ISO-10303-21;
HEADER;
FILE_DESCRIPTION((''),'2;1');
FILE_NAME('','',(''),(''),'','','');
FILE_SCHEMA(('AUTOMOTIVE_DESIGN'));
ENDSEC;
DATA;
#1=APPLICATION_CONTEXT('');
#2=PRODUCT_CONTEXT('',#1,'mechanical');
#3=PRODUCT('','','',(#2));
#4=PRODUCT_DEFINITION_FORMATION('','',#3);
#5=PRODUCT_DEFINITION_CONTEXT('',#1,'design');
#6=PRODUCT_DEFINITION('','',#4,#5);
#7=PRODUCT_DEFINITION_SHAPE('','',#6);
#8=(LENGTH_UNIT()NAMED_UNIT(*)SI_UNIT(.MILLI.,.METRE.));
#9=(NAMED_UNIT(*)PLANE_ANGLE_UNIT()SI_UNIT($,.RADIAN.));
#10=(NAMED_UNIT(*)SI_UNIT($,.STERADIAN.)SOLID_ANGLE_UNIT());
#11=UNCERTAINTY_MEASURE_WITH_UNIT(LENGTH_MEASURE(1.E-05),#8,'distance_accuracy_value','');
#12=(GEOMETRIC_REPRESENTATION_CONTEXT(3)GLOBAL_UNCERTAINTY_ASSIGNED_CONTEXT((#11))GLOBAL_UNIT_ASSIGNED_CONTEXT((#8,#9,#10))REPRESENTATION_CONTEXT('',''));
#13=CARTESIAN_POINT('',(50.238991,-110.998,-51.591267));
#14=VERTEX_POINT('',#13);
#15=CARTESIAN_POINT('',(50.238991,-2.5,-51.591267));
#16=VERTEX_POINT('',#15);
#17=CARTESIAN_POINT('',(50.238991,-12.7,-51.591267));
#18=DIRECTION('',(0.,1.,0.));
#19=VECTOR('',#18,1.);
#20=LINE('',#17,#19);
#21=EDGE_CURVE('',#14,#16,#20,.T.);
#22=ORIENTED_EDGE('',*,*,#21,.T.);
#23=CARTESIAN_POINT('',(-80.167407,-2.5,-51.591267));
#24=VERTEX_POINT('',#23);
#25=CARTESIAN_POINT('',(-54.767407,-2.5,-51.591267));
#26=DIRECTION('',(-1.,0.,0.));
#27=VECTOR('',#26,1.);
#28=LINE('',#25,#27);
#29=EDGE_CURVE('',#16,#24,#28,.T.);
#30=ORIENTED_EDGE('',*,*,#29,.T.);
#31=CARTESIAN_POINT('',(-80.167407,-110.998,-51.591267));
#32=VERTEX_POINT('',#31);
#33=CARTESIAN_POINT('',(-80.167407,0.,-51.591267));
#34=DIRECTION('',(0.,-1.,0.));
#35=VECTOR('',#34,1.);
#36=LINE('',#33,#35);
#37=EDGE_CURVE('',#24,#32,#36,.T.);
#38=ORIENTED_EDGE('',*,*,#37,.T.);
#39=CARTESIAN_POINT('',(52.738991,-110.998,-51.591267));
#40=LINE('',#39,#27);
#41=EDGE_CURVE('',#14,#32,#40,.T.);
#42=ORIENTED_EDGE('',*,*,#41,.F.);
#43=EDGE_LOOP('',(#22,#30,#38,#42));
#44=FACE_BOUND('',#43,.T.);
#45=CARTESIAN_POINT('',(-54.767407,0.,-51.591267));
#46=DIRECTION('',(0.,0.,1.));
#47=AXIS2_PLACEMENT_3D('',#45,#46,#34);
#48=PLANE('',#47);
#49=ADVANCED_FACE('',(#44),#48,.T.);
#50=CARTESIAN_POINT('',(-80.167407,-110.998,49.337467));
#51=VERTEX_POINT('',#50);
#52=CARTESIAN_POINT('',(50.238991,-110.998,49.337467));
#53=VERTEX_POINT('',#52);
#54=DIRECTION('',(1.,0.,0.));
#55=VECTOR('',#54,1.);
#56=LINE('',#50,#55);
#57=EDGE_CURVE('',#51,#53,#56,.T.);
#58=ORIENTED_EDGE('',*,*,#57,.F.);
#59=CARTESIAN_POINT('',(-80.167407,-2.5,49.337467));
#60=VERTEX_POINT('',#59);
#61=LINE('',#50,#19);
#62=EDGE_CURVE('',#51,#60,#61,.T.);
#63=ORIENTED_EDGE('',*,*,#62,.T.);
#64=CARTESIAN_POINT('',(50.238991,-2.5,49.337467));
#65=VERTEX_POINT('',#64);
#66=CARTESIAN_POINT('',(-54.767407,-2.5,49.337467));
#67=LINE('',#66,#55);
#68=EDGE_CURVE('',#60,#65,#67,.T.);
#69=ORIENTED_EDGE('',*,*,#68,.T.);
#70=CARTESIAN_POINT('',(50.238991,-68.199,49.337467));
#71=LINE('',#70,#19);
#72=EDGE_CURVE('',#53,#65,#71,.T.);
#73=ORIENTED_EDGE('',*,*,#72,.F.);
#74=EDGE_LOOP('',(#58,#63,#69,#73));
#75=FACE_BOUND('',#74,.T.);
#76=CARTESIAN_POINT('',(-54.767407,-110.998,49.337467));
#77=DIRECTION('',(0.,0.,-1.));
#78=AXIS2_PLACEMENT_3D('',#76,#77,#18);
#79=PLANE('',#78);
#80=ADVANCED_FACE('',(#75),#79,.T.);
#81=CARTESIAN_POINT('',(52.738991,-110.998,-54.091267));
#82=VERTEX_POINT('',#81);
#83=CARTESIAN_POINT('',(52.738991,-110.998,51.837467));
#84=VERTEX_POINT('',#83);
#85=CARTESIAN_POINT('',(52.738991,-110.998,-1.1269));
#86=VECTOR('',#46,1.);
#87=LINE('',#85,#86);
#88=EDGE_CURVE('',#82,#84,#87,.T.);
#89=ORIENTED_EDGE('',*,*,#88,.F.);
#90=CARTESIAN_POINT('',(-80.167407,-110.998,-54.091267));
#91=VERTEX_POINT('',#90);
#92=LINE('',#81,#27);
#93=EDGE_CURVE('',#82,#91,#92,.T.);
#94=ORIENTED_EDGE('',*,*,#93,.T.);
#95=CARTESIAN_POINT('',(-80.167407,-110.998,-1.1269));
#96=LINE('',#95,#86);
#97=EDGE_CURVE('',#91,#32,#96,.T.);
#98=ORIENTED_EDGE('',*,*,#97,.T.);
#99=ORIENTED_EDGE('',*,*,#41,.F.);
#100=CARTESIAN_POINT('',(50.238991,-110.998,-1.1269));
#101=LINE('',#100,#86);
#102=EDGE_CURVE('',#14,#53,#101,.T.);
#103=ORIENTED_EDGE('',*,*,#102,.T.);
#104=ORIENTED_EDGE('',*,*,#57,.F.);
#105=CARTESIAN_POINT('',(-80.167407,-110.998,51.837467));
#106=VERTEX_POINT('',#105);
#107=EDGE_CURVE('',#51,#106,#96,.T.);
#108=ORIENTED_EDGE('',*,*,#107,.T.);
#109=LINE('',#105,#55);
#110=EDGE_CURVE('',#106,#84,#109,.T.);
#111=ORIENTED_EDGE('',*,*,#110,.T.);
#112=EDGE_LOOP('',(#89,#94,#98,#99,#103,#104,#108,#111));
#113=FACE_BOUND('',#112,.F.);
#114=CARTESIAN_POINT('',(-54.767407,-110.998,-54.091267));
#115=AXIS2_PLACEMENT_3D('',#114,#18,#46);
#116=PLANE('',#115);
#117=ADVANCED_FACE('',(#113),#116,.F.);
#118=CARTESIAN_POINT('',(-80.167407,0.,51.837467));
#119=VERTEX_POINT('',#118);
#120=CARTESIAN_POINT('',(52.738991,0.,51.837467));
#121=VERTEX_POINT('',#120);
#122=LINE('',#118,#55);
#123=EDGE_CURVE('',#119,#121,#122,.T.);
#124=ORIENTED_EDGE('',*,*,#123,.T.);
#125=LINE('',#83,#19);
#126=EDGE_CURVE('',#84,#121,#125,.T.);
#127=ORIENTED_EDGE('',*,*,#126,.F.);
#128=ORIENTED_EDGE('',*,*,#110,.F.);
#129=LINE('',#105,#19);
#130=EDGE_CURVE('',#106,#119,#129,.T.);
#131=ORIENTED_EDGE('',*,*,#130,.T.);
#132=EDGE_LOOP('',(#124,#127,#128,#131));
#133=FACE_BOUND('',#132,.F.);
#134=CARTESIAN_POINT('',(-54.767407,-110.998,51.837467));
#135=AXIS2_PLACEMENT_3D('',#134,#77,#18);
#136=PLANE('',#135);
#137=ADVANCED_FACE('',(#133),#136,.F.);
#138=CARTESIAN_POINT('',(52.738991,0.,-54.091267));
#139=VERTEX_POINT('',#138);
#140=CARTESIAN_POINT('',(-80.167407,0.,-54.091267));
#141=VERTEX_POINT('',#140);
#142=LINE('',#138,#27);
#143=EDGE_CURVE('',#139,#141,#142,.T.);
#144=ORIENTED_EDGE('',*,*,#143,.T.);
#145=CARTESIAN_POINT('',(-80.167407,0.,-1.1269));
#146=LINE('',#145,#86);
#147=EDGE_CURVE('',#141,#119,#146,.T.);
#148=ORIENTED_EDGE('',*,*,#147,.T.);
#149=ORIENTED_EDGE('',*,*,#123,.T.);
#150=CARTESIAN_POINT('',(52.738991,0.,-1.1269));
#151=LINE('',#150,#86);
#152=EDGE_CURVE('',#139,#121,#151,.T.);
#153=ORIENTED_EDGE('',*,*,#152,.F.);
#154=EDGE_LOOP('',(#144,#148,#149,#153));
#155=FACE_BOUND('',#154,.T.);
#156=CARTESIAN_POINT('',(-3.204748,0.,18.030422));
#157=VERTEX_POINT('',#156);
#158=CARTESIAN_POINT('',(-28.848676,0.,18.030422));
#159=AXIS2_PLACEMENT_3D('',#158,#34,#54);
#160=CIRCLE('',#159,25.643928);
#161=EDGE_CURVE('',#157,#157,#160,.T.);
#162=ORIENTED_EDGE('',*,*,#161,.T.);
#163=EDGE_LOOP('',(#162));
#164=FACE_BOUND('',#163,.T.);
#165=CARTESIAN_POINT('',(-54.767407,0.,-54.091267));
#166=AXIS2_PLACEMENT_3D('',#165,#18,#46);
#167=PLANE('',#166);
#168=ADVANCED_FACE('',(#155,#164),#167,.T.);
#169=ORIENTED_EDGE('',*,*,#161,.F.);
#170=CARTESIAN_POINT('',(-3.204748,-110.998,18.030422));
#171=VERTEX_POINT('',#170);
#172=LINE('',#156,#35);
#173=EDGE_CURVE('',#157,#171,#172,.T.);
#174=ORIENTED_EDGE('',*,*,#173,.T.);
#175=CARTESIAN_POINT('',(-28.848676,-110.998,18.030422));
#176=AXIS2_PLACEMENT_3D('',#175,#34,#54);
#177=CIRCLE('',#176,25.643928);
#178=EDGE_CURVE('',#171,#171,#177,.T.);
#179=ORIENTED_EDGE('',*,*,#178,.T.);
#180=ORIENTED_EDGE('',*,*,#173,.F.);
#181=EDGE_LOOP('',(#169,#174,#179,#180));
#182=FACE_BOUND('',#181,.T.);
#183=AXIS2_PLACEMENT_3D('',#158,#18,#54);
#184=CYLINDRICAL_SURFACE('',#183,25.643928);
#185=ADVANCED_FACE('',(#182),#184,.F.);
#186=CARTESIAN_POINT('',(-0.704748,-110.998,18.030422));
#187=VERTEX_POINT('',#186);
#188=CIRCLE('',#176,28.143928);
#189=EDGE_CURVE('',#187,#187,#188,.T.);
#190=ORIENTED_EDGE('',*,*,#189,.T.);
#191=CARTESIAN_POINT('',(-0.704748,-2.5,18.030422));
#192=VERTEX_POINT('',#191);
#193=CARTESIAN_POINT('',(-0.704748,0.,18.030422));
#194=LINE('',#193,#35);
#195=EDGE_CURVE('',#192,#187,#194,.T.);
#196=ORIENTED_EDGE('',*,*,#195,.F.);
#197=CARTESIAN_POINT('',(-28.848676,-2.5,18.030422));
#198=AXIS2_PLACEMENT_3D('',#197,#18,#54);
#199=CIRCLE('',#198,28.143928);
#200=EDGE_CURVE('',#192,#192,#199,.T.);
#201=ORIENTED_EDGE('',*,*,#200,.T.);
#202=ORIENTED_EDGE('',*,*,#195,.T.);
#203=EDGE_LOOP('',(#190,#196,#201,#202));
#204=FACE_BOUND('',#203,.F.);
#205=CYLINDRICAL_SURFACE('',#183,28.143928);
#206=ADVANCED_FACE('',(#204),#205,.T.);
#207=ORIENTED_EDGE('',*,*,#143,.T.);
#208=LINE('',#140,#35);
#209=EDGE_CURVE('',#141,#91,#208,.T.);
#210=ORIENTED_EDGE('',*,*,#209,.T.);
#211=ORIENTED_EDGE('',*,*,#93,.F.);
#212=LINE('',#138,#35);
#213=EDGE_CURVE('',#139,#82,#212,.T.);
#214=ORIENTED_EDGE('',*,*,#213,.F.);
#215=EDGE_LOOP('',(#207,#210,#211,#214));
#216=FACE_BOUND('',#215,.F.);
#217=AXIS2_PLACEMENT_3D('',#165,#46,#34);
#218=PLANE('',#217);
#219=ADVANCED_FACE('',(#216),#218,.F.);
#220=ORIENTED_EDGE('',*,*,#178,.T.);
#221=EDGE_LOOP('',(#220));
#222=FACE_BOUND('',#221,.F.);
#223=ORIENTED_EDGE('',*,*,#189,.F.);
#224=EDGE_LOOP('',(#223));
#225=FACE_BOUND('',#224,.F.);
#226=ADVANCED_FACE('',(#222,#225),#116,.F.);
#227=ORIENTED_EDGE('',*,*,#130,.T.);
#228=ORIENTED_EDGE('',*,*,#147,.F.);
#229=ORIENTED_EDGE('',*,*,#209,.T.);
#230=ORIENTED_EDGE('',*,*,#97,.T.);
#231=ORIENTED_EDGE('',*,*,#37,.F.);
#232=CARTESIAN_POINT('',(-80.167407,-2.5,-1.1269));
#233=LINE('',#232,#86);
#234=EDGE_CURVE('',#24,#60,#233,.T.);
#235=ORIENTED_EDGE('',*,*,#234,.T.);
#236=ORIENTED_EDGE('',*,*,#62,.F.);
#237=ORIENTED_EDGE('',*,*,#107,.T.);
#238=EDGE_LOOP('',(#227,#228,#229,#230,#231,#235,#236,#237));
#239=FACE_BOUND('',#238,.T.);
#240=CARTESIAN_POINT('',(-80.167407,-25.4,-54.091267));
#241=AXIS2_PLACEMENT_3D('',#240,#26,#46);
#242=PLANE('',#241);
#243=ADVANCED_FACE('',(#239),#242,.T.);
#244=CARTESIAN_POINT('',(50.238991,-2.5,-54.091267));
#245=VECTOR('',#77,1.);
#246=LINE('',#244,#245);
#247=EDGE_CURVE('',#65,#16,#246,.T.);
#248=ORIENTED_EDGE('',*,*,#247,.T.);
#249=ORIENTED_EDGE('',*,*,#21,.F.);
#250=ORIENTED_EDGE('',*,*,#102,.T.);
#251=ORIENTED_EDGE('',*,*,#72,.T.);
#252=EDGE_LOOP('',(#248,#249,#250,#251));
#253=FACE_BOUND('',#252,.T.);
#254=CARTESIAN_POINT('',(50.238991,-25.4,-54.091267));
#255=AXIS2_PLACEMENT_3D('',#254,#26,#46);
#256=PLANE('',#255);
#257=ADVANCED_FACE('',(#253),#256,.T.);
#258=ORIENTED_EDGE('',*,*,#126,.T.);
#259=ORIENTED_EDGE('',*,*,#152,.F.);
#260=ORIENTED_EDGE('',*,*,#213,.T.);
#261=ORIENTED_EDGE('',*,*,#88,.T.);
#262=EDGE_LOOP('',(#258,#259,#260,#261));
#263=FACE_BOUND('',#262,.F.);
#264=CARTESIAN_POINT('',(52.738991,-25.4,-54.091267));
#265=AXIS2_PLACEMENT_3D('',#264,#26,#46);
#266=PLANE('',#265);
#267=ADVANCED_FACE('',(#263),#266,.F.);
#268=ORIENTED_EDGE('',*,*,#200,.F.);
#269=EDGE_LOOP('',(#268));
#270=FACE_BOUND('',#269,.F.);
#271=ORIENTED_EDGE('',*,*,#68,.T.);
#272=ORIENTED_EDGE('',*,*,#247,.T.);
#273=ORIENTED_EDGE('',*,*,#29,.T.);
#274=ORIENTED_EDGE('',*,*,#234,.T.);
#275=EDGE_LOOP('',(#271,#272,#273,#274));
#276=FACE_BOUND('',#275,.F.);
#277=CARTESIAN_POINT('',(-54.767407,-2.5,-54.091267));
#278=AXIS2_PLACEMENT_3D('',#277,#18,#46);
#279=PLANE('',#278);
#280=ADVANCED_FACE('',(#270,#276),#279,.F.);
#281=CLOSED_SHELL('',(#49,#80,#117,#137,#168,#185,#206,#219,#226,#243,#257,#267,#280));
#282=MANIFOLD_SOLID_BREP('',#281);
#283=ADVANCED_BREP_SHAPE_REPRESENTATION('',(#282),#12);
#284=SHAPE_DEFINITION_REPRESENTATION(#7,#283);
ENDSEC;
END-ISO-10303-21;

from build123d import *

# Parameters (mm, degrees)
F0_W     = 107.5063981116
F0_H     = 105.9287339449
F0_R     = 25.6439275176
F1_DEPTH = 25.4
F2_DEPTH = 85.598
F3_DEPTH = 25.4
F4_T     = -2.5


with BuildPart() as f1:
    # F0 (on Front) → F1 (new body)
    with BuildSketch(Plane.XZ):
        with Locations((-1.0142084211, -1.1269003153)):
            Rectangle(F0_W, F0_H)
        with Locations((-28.848676011, 18.0304218084)):
            Circle(F0_R, mode=Mode.SUBTRACT)
    extrude(amount=F1_DEPTH)

    # F2 (add): faces of the model
    f2_faces = [f1.faces().sort_by_distance(p)[0] for p in [
        (5.1544323565, -25.4, -5.372522692),
        (5.1544323565, 0, -5.372522692),
    ]]
    extrude(f2_faces, amount=F2_DEPTH, dir=(0, -1, 0))

    # F3 (add): faces of the model
    f3_faces = [f1.faces().sort_by_distance(p)[0] for p in [
        (-54.7674074769, -55.499, -1.1269003153),
        (52.7389906347, -55.499, -1.1269003153),
    ]]
    extrude(f3_faces, amount=F3_DEPTH, dir=(-1, 0, 0))

    # F4
    f4_openings = [f1.faces().sort_by_distance(p)[0] for p in [
        (-11.111372, -110.998, -4.42159),
        (-80.167407, -55.499, -1.1269),
    ]]
    offset(amount=F4_T, openings=f4_openings)


solid = f1.part
